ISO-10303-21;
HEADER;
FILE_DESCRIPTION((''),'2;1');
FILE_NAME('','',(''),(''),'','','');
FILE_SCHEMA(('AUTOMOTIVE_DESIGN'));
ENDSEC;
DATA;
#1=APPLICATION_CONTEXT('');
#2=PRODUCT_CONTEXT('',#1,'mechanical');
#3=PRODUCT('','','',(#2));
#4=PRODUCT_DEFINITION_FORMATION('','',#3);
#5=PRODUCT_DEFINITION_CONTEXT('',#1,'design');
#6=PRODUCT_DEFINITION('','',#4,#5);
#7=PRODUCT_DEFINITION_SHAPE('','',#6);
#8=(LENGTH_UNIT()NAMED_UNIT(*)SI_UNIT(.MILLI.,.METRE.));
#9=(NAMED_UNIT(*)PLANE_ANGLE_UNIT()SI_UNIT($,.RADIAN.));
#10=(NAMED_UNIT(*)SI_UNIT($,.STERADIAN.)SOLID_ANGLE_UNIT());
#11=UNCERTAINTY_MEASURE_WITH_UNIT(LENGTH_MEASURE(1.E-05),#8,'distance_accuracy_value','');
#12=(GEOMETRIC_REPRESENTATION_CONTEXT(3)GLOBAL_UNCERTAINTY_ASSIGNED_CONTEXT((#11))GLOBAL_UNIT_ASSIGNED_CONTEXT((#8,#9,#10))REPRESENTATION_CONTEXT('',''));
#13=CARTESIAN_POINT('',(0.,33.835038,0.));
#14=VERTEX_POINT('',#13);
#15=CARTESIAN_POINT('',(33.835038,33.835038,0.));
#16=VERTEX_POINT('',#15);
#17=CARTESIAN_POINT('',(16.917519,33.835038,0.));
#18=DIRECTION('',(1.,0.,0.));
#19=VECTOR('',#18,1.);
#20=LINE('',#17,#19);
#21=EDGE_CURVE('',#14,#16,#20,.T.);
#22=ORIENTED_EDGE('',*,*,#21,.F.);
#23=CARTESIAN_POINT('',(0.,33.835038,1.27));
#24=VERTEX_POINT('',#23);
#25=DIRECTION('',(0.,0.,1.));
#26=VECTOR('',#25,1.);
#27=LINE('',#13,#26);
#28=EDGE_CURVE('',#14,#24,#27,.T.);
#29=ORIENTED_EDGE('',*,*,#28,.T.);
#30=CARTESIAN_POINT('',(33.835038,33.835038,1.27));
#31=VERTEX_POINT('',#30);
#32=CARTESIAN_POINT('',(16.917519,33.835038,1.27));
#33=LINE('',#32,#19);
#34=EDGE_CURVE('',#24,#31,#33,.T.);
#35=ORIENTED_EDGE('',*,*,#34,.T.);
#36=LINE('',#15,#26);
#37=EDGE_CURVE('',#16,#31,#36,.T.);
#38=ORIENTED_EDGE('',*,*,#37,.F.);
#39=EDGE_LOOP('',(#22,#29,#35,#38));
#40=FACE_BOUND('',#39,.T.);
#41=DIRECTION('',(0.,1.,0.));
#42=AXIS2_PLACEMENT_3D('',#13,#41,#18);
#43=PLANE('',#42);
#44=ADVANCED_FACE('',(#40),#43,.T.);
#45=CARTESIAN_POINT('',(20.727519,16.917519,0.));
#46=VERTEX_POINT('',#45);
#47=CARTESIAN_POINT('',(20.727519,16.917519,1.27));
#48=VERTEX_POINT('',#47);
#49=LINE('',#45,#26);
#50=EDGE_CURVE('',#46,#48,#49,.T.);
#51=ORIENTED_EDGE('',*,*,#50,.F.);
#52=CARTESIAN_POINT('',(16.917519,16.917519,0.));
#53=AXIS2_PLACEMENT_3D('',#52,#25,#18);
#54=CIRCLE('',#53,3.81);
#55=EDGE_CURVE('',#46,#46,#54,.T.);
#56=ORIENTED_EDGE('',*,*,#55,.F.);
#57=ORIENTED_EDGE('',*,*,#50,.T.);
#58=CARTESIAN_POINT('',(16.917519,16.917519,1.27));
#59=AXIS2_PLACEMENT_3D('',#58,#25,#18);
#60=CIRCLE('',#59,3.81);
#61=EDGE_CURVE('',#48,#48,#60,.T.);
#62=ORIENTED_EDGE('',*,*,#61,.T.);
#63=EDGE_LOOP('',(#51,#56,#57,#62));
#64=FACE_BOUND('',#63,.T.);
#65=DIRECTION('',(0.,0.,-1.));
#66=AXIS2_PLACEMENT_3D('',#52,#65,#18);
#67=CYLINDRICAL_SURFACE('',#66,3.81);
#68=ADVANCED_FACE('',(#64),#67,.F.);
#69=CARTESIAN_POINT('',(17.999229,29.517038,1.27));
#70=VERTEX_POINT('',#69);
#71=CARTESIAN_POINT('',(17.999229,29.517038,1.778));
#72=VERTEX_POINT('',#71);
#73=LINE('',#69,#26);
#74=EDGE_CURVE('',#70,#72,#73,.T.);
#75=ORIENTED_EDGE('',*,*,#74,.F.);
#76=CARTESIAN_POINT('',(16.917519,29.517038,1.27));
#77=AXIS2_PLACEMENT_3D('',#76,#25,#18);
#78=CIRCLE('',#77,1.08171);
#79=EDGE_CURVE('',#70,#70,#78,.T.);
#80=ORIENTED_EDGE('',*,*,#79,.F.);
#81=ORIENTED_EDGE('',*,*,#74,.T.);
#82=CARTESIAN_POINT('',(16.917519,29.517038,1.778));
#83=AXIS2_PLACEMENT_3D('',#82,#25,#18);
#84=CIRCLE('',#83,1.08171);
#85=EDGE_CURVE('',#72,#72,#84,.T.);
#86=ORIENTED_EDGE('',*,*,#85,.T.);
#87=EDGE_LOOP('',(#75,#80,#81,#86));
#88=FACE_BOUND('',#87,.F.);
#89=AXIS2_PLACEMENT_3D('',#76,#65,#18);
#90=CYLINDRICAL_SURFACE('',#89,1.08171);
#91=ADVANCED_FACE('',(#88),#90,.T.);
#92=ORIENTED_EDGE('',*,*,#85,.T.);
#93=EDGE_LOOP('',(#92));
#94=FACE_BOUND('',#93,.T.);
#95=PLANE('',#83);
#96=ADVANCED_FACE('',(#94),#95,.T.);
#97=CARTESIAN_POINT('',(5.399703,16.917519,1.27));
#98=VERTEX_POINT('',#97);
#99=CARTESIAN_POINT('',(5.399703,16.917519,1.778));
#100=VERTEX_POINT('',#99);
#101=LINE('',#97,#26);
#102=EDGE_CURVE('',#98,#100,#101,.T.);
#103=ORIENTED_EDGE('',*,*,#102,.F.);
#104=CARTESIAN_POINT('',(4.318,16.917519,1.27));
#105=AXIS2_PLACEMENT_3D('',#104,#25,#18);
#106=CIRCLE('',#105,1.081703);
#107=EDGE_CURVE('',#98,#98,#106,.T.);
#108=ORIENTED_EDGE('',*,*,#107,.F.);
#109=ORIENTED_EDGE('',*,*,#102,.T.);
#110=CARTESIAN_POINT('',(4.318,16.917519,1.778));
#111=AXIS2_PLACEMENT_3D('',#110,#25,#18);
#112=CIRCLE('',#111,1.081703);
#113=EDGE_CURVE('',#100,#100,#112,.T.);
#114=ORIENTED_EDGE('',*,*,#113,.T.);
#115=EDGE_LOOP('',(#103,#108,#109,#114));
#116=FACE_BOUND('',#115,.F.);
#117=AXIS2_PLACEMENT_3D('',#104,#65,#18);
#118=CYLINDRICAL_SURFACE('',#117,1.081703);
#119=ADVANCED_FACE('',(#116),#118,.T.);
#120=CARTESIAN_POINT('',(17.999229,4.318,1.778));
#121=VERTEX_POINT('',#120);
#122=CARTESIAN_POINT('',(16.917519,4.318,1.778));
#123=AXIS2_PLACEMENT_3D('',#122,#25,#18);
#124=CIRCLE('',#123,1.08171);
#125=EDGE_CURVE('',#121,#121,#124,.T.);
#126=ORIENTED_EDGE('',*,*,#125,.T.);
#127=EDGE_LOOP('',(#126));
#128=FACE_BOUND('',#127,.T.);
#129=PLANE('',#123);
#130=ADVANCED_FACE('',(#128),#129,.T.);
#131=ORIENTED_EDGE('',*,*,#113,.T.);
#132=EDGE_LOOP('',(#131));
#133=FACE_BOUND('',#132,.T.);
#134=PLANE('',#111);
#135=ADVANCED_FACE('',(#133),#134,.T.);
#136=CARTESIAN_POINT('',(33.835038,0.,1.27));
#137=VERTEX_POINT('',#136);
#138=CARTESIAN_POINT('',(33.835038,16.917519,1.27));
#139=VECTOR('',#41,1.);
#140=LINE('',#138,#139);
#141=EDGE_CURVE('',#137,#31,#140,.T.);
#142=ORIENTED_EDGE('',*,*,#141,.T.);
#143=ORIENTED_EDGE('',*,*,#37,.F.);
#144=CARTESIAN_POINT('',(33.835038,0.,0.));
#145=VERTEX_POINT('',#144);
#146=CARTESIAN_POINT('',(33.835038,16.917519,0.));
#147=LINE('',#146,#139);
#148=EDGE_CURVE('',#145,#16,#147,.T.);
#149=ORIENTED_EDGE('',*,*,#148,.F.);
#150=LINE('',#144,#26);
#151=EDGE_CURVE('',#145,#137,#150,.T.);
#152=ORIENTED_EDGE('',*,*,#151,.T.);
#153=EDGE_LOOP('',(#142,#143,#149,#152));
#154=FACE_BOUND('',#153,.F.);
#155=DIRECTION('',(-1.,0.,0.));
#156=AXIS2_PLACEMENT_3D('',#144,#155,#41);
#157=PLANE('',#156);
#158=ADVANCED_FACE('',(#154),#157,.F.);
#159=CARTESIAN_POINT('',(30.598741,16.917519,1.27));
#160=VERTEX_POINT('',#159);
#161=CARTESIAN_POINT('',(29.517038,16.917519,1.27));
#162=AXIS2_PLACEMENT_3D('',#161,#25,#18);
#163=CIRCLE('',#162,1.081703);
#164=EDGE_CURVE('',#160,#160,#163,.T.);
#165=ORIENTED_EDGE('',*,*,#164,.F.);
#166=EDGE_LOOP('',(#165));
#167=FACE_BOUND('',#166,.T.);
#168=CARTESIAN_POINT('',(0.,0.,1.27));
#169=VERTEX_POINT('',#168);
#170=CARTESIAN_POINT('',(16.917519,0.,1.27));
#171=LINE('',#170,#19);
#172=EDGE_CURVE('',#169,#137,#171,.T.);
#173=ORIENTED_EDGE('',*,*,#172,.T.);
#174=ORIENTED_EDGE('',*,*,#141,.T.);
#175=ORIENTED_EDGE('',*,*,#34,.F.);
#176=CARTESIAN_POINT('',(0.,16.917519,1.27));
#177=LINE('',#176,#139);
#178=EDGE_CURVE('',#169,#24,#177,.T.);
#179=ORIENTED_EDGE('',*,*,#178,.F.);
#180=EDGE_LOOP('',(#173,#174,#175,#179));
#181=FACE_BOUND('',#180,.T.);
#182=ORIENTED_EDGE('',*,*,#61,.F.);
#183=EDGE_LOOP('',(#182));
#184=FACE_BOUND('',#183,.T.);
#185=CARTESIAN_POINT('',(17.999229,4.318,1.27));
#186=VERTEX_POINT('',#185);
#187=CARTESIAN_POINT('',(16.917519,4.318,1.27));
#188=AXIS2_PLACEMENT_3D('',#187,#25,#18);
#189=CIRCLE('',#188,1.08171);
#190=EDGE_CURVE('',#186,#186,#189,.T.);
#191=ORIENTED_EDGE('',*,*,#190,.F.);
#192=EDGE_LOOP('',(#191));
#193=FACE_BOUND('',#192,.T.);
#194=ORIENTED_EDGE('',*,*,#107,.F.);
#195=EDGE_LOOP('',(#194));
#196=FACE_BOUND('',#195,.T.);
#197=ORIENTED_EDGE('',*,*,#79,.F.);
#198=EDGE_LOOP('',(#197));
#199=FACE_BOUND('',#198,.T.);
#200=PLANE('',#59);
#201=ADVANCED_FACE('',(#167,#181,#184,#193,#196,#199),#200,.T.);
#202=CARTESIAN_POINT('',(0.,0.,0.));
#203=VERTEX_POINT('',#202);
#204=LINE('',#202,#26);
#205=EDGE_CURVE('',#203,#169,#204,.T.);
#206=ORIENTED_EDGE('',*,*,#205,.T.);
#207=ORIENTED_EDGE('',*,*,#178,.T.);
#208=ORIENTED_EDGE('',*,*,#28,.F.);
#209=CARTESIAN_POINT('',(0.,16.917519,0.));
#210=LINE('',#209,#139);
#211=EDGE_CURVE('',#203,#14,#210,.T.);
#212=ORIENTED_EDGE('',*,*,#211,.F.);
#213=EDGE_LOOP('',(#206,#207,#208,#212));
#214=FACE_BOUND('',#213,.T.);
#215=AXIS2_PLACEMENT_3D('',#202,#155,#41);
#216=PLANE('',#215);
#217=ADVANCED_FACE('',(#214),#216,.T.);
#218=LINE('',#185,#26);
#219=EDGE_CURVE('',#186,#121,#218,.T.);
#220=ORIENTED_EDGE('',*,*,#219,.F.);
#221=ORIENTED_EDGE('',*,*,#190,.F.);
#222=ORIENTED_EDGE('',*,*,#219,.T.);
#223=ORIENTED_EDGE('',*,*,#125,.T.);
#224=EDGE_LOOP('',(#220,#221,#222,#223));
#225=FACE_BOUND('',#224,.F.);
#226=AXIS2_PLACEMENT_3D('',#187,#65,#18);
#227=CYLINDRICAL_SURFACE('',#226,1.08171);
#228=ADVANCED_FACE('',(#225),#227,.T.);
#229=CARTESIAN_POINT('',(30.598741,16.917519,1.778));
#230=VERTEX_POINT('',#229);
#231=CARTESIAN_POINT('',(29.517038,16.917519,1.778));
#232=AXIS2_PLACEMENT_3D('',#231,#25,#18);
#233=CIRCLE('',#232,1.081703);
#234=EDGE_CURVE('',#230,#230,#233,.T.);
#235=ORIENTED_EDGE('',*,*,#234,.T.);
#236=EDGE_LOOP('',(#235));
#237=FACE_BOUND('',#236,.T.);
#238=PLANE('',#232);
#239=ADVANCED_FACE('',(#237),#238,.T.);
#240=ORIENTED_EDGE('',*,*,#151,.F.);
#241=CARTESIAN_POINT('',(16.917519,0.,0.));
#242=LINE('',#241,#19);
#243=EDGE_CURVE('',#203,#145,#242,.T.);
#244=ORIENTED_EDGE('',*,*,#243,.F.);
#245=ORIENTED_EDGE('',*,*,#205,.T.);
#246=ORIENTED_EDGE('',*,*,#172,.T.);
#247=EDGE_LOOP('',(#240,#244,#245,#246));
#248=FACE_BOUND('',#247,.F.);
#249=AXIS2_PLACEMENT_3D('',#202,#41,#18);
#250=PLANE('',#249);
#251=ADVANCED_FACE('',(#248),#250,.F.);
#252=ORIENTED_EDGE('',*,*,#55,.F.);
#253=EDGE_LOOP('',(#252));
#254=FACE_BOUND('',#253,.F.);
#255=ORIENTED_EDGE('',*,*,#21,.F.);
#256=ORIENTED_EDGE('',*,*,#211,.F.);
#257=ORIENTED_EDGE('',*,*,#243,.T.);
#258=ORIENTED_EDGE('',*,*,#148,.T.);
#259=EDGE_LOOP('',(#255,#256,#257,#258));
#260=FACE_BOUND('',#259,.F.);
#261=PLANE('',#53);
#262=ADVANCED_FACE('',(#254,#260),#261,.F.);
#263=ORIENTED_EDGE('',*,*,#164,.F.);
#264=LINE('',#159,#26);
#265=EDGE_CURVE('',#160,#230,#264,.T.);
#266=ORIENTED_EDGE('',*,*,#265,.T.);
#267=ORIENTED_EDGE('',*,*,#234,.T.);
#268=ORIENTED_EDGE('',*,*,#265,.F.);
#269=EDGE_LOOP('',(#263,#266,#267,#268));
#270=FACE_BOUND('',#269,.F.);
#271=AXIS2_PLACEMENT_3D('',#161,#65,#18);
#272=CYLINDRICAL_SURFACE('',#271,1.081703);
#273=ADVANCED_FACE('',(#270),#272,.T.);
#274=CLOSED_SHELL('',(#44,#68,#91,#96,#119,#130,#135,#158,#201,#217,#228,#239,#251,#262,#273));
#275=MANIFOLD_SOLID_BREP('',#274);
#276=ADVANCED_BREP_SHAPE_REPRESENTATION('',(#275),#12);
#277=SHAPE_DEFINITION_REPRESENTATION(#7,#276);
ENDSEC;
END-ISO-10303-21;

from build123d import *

# Parameters (mm, degrees)
F0_W     = 33.835038
F0_H     = 33.835038
F0_R     = 3.81
F1_DEPTH = 1.27
F2_R     = 1.081703
F2_R_2   = 1.08171
F3_DEPTH = 0.508


with BuildPart() as f1:
    # F0 (on Top) → F1 (new body)
    with BuildSketch(Plane.XY):
        with Locations((16.917519, 16.917519)):
            Rectangle(F0_W, F0_H)
        with Locations((16.917519, 16.917519)):
            Circle(F0_R, mode=Mode.SUBTRACT)
    extrude(amount=F1_DEPTH)

    # F2 (on face) → F3 (join)
    with BuildSketch(Plane.XY.offset(1.27)):
        with Locations((29.517038, 16.917519)):
            Circle(F2_R)
        with Locations((4.318, 16.917519)):
            Circle(F2_R)
        with Locations((16.917519, 29.517038)):
            Circle(F2_R_2)
        with Locations((16.917519, 4.318)):
            Circle(F2_R_2)
    extrude(amount=F3_DEPTH)


solid = f1.part
